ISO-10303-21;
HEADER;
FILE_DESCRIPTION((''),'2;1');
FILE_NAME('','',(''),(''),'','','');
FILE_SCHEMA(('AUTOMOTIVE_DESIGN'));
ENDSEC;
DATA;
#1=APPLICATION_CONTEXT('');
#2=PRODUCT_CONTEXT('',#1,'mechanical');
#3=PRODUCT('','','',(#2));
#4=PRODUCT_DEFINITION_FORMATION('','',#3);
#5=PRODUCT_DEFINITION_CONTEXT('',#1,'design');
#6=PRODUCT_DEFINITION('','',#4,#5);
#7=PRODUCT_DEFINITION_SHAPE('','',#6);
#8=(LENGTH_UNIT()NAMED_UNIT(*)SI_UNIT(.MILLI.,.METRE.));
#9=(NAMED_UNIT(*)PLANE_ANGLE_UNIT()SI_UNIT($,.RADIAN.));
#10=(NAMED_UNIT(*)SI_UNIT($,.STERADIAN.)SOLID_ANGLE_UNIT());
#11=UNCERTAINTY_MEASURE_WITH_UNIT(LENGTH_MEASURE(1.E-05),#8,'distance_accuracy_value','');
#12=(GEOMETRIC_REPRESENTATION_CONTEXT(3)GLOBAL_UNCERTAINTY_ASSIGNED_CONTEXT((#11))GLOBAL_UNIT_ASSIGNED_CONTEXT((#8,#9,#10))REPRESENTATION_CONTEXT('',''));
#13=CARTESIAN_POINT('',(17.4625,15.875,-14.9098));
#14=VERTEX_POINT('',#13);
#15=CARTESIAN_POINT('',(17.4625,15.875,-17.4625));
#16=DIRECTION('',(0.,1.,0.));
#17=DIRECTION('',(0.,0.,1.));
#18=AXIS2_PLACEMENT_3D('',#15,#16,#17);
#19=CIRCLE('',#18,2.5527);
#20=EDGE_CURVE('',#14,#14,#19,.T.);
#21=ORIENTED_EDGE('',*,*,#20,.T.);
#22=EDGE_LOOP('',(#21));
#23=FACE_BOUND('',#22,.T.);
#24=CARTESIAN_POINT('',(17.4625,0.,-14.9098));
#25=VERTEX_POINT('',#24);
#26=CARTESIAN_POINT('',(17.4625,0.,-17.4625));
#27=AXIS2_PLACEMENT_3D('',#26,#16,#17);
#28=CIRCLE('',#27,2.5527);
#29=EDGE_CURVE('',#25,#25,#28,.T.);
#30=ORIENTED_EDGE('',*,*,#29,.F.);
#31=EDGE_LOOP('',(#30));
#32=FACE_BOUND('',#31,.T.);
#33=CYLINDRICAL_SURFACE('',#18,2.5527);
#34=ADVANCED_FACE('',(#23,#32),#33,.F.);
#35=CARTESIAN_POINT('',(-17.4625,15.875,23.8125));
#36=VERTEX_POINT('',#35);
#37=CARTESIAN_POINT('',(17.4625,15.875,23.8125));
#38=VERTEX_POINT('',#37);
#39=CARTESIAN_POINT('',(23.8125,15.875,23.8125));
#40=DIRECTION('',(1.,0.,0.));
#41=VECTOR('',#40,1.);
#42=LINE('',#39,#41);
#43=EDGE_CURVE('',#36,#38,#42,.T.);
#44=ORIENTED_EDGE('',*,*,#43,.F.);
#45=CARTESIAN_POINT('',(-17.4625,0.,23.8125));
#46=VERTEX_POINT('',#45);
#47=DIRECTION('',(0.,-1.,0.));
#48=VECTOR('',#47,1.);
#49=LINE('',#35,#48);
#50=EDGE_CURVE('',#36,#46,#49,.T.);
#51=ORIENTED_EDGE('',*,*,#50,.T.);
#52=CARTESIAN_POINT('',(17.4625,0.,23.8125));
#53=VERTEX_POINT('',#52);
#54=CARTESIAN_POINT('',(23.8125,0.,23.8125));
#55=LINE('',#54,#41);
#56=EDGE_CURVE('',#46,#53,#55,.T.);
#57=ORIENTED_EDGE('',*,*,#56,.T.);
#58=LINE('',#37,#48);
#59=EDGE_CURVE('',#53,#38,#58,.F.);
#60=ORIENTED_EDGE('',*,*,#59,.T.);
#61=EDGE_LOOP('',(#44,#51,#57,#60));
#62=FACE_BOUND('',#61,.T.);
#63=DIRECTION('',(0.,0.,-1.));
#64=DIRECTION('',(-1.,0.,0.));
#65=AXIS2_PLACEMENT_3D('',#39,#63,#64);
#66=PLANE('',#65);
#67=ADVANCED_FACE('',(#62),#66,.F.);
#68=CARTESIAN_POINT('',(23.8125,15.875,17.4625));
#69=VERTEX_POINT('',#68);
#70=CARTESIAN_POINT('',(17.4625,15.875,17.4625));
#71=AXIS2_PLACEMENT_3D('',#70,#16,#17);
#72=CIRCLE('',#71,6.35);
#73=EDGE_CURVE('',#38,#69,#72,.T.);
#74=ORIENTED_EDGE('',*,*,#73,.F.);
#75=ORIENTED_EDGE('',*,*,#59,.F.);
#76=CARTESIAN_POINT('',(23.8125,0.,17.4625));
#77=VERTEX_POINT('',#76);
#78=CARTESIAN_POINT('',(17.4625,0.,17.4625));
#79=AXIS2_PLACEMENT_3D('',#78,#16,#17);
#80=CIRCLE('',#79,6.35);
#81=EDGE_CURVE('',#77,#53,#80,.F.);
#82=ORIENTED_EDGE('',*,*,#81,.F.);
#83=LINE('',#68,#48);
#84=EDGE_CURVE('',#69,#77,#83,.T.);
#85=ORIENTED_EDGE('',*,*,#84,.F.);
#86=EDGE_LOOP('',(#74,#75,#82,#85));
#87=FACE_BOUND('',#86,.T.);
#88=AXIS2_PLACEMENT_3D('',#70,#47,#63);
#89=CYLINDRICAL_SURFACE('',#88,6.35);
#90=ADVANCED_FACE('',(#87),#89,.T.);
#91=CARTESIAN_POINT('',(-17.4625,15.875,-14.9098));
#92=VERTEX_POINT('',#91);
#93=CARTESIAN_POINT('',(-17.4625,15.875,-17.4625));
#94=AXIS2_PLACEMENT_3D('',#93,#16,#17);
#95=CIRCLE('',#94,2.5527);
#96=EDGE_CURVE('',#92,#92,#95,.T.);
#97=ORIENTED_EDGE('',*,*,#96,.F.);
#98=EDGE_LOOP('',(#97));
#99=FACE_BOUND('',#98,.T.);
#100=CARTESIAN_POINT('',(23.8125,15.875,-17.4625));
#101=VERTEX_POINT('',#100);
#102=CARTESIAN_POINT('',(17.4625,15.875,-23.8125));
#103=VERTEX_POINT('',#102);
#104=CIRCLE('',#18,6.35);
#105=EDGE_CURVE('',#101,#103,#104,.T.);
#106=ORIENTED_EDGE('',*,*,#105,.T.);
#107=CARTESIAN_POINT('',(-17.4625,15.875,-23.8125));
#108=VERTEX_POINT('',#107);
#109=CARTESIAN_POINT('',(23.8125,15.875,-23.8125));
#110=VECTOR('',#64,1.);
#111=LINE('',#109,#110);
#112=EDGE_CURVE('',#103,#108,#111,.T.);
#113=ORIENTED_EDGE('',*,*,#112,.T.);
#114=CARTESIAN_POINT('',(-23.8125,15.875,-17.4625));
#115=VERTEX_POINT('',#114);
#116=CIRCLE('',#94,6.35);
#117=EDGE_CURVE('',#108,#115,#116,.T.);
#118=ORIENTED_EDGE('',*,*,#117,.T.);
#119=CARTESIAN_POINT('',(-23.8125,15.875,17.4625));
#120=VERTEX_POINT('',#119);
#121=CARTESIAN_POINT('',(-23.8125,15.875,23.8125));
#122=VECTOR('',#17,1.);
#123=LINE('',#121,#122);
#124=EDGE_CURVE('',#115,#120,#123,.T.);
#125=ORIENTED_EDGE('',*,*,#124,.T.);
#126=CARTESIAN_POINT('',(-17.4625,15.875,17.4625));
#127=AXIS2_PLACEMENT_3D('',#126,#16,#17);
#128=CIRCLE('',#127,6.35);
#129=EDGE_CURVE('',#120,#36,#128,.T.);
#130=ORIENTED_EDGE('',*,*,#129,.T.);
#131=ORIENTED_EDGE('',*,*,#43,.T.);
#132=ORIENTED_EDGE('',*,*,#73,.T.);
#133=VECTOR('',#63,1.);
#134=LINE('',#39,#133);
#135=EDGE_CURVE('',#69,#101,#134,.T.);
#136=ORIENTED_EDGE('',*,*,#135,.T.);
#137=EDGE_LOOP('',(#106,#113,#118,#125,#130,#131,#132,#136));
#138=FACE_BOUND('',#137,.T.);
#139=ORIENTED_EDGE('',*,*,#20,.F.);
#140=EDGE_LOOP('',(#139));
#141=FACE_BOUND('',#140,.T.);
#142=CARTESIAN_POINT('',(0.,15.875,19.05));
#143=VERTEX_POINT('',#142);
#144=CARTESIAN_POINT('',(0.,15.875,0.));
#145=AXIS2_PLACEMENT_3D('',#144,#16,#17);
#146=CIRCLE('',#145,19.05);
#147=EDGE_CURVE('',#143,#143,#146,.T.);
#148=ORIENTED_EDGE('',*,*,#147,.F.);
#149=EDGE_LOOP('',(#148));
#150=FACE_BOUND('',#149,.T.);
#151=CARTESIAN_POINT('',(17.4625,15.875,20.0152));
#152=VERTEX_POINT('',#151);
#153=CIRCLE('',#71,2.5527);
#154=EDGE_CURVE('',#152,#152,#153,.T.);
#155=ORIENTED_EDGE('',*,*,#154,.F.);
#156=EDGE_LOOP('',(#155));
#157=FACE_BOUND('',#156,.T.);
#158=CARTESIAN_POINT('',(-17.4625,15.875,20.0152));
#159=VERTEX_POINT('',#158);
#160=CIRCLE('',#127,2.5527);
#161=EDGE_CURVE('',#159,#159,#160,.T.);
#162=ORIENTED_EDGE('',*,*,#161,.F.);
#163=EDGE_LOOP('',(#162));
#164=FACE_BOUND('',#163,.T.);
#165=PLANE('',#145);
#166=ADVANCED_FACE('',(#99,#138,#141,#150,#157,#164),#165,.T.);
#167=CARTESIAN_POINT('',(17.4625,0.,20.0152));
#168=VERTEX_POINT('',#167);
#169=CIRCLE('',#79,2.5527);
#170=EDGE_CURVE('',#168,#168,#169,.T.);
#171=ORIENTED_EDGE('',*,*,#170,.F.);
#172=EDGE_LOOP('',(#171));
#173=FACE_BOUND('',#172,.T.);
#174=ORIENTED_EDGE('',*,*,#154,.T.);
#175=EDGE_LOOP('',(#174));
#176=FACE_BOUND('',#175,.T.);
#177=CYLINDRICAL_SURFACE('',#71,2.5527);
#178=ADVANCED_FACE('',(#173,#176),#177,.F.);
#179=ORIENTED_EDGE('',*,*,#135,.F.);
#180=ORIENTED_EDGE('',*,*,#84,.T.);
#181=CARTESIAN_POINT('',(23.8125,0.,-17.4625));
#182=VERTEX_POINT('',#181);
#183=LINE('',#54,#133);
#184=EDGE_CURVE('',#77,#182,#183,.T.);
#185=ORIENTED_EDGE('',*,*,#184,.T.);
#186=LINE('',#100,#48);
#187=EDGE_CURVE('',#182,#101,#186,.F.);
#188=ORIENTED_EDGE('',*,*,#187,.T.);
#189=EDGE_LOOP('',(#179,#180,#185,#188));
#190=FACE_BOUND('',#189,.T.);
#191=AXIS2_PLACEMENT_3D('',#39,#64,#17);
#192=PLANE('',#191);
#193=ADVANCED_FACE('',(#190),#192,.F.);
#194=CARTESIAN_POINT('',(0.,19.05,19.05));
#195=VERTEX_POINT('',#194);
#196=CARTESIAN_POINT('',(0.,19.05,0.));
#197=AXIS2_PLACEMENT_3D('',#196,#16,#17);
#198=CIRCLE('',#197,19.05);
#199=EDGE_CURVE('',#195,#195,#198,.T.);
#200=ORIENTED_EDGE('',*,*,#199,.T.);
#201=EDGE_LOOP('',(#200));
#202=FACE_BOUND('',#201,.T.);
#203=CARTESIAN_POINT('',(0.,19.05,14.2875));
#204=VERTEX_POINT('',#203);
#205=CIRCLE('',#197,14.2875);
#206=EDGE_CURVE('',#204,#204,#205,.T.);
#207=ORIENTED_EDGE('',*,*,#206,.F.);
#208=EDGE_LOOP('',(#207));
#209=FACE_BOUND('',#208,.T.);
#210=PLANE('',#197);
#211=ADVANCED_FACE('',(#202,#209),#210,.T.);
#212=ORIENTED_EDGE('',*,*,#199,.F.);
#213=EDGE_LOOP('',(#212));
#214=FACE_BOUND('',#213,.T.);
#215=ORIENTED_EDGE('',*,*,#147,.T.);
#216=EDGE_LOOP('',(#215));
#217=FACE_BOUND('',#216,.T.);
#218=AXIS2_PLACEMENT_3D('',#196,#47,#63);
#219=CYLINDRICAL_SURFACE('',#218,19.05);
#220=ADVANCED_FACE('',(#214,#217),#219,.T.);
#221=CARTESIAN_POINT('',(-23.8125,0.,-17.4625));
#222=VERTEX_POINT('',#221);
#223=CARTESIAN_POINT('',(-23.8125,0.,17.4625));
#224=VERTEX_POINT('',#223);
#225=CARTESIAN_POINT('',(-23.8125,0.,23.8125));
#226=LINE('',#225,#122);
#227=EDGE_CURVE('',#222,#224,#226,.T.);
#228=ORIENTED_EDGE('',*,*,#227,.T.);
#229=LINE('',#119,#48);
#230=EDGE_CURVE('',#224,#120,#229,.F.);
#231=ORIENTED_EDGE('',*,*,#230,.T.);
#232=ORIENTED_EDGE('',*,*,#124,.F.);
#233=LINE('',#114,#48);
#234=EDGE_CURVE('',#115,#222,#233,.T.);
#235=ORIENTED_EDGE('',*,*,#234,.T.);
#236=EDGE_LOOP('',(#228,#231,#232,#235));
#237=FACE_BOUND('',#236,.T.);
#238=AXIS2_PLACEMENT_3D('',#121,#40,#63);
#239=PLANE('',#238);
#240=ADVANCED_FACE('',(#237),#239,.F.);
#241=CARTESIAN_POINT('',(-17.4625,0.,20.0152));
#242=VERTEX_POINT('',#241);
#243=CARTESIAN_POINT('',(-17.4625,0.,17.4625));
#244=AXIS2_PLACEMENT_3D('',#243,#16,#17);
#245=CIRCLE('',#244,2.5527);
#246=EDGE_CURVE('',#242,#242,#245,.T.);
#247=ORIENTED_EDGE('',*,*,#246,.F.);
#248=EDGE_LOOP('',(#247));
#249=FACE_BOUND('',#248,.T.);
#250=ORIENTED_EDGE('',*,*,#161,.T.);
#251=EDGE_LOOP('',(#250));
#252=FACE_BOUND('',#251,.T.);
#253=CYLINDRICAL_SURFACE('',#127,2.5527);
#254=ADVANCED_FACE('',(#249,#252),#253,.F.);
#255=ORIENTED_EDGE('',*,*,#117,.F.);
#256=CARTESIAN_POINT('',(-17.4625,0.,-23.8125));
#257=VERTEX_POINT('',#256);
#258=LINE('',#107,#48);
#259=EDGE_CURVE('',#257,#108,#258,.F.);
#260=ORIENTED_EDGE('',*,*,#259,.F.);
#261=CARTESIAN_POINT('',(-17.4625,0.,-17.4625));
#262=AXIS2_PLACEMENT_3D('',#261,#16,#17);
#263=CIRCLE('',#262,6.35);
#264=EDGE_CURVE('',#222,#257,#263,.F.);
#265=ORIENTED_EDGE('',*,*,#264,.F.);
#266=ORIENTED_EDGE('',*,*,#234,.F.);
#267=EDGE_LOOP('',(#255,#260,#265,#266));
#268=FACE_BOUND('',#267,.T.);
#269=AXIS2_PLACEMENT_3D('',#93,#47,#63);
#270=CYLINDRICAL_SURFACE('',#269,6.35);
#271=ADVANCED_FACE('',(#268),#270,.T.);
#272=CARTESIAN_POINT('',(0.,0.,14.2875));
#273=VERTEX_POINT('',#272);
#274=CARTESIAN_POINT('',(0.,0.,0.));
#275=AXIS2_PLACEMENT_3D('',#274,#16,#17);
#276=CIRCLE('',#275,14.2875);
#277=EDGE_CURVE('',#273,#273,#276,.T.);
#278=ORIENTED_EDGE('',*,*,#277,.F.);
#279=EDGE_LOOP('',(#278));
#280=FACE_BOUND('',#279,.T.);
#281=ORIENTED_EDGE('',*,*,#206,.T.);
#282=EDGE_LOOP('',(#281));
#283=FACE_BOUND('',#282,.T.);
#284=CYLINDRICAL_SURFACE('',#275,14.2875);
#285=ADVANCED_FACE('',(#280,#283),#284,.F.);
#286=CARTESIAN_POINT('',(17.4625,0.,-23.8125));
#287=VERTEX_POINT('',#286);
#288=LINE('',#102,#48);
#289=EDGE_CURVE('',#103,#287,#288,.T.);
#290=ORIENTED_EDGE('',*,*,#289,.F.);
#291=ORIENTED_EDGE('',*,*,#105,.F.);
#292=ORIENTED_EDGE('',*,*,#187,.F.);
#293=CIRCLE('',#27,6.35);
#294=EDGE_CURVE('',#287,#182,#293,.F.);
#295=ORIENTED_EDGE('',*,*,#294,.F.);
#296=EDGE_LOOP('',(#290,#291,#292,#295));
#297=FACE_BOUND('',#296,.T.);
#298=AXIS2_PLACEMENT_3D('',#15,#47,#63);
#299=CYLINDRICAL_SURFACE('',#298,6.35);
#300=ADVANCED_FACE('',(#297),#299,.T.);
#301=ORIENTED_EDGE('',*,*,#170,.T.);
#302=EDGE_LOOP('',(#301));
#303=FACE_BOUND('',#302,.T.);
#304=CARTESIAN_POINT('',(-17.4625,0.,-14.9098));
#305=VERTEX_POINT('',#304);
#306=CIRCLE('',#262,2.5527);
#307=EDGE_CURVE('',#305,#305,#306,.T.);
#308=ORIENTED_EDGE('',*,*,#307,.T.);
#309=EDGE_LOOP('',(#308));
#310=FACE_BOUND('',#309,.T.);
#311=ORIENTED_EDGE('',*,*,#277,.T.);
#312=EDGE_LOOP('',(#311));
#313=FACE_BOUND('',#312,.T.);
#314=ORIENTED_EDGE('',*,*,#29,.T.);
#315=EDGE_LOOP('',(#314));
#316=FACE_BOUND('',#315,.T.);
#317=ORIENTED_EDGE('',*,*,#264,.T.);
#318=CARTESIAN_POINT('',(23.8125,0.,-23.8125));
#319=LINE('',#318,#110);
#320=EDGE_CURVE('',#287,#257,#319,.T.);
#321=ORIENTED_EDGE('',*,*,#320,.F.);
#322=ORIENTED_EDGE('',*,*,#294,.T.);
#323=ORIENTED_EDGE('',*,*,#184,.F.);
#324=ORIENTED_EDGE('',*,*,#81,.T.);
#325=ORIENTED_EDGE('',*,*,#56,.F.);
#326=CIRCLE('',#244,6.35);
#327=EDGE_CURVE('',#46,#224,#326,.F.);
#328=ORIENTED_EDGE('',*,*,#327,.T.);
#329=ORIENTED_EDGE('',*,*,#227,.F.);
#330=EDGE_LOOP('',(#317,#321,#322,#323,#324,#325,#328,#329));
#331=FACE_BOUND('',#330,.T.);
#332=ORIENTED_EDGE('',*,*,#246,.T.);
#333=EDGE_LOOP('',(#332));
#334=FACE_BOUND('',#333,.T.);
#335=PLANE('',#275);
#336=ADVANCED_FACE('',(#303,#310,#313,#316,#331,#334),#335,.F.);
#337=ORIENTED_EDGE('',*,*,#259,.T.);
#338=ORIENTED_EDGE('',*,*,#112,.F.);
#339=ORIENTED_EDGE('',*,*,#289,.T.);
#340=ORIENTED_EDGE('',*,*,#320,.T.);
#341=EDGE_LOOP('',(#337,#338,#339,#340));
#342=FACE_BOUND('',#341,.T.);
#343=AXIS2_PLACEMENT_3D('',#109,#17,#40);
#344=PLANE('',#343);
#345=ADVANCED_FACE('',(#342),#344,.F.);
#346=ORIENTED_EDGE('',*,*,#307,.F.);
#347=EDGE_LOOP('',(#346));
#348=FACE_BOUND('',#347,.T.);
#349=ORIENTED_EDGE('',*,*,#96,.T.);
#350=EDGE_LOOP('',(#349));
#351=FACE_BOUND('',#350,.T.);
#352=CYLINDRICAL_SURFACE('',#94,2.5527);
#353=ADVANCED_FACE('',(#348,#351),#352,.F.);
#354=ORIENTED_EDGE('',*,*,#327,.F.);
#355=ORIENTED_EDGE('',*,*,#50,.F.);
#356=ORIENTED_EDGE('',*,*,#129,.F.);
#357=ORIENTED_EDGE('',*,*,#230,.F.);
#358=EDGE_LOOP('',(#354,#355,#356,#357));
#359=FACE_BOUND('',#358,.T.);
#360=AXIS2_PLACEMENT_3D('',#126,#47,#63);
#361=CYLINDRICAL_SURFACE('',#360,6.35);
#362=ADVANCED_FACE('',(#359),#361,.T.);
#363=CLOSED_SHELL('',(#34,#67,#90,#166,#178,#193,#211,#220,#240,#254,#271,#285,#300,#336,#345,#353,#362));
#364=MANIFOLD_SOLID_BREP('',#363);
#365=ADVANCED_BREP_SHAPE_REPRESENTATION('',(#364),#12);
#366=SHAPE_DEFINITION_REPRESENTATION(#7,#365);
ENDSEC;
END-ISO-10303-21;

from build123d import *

# Parameters (mm, degrees)
SKETCH1_W               = 47.625
SKETCH1_H               = 47.625
BOSS_EXTRUDE1_DEPTH     = 15.875
SKETCH2_R               = 19.05
BOSS_EXTRUDE2_DEPTH     = 3.175
SKETCH3_R               = 14.2875
CUT_EXTRUDE1_DEPTH      = 20.05
F_1_4_20_TAPPED_HOLE1_D = 5.1054
FILLET1_R               = 6.35


with BuildPart() as part:
    # Sketch1 → Boss-Extrude1 (new body)
    with BuildSketch(Plane(origin=(0, 0, 0), x_dir=(1, 0, 0), z_dir=(0, 1, 0))):
        Rectangle(SKETCH1_W, SKETCH1_H)
    extrude(amount=BOSS_EXTRUDE1_DEPTH)

    # Sketch2 → Boss-Extrude2 (add)
    with BuildSketch(Plane(origin=(0, 15.875, 0), x_dir=(1, 0, 0), z_dir=(0, 1, 0))):
        Circle(SKETCH2_R)
    extrude(amount=BOSS_EXTRUDE2_DEPTH)

    # Sketch3 → Cut-Extrude1 (cut, through all)
    with BuildSketch(Plane(origin=(0, 19.05, 0), x_dir=(1, 0, 0), z_dir=(0, 1, 0))):
        Circle(SKETCH3_R)
    extrude(amount=-CUT_EXTRUDE1_DEPTH, mode=Mode.SUBTRACT)

    # 1/4-20 Tapped Hole1 (through all)
    with Locations(Plane(origin=(0, 15.875, 0), x_dir=(1, 0, 0), z_dir=(0, 1, 0))):
        with Locations((-17.4625, 17.4625), (17.4625, 17.4625), (17.4625, -17.4625), (-17.4625, -17.4625)):
            Hole(F_1_4_20_TAPPED_HOLE1_D / 2)

    # Fillet1
    fillet1_edges = [part.edges().sort_by_distance(p)[0] for p in [
        (-23.8125, 7.9375, -23.8125),
        (23.8125, 7.9375, -23.8125),
        (23.8125, 7.9375, 23.8125),
        (-23.8125, 7.9375, 23.8125),
    ]]
    fillet(fillet1_edges, radius=FILLET1_R)


solid = part.part
